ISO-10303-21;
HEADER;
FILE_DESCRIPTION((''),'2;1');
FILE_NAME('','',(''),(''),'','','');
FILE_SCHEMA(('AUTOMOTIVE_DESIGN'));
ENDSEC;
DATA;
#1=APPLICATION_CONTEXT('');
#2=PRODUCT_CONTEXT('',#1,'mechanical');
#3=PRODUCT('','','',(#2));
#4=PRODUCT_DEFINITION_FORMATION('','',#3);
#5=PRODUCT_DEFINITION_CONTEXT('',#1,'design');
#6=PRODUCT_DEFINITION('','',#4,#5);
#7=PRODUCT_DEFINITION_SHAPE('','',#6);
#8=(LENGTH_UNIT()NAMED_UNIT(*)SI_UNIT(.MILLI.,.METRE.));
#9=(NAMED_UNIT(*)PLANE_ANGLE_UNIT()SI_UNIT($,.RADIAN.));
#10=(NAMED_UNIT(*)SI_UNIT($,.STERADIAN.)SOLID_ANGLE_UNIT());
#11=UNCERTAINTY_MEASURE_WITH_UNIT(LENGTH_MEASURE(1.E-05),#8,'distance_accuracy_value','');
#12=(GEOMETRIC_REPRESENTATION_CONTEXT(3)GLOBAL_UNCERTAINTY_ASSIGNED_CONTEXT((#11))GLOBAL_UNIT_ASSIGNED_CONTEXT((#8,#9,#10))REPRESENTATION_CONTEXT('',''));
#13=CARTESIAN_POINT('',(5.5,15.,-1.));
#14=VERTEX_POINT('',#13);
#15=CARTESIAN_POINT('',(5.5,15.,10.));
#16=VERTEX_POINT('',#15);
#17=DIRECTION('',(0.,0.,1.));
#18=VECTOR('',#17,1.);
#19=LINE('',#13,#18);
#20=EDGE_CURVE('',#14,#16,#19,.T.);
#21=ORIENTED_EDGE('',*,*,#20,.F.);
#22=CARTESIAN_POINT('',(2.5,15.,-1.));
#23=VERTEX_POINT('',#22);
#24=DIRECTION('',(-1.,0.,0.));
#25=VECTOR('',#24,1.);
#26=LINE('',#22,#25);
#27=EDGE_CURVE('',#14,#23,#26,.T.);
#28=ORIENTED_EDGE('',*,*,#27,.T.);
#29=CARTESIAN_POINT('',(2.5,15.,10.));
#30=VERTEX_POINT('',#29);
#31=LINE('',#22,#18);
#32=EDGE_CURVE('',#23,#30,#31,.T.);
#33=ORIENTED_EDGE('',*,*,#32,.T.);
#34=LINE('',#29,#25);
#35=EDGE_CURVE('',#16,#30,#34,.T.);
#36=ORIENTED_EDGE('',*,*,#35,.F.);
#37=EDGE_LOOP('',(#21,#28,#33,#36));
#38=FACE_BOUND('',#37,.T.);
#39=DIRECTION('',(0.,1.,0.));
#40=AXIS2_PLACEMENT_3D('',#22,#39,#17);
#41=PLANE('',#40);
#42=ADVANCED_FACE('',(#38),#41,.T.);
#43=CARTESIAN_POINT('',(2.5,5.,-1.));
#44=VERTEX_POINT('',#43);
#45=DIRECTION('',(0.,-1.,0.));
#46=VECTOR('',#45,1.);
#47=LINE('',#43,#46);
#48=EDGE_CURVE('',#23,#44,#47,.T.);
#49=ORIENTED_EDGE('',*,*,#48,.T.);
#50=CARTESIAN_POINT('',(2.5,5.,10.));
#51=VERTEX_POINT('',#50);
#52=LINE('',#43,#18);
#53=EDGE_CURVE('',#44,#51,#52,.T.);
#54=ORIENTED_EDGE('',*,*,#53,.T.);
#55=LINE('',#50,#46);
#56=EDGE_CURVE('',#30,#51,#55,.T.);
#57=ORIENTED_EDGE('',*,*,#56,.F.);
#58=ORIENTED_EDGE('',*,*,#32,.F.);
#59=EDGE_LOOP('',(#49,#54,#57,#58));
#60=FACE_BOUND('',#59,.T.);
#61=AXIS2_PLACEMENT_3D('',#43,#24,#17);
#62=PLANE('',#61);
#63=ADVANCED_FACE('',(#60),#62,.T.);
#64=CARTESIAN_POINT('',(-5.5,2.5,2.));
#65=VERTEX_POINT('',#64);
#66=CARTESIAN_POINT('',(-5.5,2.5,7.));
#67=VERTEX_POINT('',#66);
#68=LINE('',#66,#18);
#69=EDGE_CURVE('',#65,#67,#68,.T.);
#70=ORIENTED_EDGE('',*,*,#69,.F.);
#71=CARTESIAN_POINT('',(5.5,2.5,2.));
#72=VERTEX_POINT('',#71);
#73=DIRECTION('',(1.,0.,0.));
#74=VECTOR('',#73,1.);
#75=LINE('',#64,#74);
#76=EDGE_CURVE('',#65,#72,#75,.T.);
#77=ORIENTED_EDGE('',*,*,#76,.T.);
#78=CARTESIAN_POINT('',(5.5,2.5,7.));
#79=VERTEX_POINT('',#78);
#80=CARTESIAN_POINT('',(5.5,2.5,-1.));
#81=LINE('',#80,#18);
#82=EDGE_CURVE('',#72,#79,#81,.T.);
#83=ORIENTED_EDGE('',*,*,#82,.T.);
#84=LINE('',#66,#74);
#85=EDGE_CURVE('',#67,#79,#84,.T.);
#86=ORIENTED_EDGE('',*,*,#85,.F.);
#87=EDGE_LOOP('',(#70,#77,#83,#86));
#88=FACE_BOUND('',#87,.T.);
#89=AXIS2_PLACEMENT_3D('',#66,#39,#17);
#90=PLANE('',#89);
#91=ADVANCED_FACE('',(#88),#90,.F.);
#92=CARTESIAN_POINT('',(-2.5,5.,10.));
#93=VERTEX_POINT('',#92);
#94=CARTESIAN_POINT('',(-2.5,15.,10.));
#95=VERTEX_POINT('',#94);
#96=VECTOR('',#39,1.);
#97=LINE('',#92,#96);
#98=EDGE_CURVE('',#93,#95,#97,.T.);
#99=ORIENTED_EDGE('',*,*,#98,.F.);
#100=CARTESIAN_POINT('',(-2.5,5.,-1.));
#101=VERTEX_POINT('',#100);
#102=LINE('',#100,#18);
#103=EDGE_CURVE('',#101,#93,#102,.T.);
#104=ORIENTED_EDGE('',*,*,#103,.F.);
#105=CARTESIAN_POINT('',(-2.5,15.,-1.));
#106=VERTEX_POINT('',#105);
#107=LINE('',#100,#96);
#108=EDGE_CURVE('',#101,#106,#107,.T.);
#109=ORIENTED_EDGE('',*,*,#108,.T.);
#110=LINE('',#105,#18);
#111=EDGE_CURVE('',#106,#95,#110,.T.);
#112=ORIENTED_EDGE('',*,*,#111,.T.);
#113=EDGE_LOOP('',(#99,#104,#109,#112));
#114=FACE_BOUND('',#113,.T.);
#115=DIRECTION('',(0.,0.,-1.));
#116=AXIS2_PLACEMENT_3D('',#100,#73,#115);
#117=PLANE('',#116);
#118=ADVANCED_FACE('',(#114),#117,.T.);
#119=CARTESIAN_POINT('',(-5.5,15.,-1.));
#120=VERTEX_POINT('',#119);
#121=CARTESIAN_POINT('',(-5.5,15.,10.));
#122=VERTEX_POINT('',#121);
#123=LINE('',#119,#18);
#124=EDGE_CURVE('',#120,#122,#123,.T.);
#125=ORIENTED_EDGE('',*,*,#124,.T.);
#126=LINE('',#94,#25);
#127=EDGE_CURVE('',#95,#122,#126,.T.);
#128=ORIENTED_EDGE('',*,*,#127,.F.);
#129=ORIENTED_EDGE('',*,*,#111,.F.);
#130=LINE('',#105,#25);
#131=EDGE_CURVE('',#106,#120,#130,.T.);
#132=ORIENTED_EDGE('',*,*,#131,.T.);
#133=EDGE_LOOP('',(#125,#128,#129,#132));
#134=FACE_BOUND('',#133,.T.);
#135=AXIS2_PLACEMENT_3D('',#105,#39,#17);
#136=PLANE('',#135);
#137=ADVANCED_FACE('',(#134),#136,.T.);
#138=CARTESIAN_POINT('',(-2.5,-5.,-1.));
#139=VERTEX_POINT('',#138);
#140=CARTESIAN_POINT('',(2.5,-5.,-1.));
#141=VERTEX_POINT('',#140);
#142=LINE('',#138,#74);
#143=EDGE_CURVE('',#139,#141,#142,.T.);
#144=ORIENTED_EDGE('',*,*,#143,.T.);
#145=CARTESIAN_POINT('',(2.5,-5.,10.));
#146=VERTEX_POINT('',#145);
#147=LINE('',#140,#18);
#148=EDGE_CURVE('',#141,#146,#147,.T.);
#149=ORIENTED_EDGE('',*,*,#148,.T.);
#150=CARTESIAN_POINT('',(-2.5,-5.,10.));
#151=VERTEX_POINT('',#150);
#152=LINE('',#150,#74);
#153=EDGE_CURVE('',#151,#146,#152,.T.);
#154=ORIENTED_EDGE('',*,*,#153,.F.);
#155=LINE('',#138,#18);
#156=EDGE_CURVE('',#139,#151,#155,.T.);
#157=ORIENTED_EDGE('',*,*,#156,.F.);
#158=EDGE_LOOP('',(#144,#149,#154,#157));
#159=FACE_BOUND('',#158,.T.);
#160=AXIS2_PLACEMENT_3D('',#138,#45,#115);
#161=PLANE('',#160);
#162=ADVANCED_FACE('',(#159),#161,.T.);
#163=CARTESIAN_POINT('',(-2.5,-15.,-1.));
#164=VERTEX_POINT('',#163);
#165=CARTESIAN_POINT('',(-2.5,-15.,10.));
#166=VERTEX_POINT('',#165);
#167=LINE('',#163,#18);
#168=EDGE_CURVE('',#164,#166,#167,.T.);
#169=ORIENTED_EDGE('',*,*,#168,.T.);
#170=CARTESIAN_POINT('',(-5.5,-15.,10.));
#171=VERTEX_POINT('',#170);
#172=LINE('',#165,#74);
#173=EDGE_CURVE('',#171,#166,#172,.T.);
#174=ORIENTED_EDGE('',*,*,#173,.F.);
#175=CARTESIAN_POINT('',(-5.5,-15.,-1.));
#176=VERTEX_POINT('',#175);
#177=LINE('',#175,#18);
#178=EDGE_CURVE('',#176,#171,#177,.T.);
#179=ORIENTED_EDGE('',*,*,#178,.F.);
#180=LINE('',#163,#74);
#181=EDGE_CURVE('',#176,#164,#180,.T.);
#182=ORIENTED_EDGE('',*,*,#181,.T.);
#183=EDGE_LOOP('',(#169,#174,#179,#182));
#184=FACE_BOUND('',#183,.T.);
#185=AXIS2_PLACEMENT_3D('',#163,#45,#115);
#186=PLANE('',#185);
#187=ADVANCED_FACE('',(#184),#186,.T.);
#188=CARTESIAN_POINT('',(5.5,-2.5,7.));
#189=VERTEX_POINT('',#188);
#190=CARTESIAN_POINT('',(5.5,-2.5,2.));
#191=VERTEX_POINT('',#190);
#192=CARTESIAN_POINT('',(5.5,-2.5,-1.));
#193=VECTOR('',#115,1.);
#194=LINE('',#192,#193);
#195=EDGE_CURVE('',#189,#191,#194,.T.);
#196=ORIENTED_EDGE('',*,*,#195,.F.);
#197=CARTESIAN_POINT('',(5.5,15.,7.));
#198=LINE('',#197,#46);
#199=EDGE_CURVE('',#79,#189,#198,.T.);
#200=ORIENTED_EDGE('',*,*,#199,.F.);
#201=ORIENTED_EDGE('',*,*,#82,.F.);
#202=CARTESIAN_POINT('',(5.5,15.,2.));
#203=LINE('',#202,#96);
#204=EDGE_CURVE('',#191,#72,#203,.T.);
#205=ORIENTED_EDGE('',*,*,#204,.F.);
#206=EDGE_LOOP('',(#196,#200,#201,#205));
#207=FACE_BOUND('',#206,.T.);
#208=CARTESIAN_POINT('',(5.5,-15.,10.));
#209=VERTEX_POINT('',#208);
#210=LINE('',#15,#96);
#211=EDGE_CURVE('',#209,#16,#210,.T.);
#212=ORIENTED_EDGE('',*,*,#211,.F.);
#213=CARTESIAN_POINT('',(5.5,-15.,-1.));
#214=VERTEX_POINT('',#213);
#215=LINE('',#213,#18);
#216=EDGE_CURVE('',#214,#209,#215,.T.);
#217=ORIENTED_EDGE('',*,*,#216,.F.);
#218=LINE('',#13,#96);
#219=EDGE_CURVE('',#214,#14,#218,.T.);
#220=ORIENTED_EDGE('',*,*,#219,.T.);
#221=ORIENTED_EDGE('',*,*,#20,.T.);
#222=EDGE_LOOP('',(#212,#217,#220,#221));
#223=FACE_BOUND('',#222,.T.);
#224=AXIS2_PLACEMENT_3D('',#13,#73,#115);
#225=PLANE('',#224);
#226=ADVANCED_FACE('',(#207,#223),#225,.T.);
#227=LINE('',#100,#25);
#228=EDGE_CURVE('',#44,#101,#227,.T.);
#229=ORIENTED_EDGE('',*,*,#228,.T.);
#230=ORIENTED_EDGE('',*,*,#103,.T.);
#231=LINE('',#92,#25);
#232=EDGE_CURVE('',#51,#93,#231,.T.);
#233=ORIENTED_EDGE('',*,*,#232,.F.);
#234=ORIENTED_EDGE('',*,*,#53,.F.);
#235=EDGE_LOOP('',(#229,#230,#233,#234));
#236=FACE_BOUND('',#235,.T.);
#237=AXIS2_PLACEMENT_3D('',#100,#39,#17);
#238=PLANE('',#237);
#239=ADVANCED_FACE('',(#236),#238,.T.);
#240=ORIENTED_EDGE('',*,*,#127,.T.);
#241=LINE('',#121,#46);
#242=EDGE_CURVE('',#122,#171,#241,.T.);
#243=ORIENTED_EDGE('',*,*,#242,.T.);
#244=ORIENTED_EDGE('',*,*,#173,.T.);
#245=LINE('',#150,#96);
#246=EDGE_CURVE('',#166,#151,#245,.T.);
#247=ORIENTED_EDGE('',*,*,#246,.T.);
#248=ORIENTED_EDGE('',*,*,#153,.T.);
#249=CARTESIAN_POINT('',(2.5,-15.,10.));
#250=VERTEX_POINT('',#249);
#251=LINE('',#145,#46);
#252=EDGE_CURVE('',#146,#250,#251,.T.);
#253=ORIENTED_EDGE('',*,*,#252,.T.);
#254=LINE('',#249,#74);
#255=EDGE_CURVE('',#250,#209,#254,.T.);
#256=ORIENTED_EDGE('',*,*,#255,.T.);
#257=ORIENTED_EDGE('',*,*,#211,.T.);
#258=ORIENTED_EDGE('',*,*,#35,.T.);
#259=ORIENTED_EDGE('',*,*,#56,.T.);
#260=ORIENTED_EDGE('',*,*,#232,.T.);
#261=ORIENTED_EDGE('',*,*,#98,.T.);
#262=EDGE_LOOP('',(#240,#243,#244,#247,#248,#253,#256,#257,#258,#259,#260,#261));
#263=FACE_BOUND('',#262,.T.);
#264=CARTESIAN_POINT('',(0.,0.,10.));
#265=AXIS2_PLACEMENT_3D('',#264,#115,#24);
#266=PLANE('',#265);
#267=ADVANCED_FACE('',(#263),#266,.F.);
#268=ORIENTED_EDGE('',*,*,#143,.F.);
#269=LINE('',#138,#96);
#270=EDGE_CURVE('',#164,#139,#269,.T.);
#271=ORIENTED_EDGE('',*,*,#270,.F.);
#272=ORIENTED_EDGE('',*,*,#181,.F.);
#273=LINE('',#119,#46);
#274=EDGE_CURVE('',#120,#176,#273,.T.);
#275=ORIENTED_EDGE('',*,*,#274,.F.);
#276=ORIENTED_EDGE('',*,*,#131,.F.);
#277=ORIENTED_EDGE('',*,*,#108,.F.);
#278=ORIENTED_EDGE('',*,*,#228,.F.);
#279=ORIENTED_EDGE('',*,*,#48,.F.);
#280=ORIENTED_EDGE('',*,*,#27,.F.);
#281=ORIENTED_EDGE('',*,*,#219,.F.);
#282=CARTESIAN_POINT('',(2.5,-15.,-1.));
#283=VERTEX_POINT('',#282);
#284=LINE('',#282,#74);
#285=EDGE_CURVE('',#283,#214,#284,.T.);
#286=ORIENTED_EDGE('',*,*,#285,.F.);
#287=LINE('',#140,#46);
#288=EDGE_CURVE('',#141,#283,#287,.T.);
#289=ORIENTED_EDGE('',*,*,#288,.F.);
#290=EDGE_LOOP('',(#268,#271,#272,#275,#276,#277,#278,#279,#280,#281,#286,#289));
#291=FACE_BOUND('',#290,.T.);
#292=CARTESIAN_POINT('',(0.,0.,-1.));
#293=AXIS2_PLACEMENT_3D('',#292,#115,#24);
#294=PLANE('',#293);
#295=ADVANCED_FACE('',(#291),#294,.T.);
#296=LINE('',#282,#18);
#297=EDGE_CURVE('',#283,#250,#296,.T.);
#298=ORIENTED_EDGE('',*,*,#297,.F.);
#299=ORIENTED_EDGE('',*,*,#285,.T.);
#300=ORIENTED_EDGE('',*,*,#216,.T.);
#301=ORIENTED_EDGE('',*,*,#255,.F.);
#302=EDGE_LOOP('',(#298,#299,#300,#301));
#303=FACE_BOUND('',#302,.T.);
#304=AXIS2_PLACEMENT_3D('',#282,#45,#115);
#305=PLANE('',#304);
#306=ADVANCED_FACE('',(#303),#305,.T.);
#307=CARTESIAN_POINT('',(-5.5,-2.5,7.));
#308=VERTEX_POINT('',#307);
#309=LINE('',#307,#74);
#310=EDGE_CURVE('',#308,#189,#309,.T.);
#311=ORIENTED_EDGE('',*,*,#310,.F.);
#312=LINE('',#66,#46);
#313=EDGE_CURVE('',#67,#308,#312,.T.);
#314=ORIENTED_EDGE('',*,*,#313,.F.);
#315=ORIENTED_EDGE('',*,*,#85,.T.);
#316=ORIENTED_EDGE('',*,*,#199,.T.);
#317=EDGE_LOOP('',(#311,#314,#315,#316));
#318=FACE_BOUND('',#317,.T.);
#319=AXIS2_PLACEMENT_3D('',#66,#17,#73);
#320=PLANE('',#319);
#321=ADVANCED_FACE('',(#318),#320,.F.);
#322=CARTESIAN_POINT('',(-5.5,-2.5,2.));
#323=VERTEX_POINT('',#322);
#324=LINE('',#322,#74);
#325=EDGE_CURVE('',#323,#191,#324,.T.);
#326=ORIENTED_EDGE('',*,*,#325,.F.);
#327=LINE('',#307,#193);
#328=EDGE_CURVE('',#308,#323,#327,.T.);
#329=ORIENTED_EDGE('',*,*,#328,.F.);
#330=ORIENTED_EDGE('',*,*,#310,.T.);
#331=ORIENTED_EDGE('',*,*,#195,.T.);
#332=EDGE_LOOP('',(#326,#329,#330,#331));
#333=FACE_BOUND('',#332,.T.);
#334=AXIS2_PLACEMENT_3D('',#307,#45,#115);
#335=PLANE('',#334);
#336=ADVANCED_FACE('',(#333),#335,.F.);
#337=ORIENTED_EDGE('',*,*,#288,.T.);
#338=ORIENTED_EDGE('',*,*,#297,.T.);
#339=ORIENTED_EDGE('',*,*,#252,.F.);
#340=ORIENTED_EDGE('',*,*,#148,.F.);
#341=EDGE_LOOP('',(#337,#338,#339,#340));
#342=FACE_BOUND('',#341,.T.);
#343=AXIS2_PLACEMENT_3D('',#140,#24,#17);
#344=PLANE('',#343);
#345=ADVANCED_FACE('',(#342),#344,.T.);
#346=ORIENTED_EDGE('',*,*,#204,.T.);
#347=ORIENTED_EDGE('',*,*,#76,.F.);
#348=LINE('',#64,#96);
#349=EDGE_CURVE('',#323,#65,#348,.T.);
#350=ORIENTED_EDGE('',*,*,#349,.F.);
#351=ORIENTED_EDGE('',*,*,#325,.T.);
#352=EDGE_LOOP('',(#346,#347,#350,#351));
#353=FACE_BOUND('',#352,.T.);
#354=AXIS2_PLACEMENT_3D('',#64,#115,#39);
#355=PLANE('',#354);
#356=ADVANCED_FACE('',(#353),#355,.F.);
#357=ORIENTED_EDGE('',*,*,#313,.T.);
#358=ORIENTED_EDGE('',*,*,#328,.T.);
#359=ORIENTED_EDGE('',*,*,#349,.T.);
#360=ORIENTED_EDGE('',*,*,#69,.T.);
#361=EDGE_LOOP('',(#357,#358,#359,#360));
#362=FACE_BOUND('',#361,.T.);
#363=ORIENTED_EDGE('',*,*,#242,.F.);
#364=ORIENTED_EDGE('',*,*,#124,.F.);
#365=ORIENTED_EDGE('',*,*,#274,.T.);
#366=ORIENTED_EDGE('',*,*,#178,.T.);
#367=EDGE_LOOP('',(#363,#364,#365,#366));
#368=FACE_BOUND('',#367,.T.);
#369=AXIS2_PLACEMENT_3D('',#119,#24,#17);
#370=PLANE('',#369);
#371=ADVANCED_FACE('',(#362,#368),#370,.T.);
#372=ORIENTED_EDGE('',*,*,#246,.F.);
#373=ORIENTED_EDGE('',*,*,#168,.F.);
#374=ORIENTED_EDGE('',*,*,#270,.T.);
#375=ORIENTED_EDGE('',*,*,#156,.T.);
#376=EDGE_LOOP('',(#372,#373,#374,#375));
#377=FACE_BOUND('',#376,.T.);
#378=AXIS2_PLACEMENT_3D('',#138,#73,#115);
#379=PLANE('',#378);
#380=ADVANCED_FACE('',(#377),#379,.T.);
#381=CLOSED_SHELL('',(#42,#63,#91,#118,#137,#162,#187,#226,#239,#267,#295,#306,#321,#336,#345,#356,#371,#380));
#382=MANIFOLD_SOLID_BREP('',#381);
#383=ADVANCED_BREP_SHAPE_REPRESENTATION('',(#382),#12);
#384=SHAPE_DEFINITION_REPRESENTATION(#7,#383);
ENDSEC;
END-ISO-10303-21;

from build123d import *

# Parameters (mm, degrees)
BOSS_EXTRUDE1_DEPTH      = 10
BOSS_EXTRUDE1_DEPTH_BACK = 1
SKETCH2_W                = 5
SKETCH2_H                = 5
CUT_EXTRUDE1_DEPTH       = 1
CUT_EXTRUDE1_DEPTH_BACK  = 12


with BuildPart() as part:
    # Sketch1 → Boss-Extrude1 (new body, two sides)
    with BuildSketch(Plane.XY) as boss_extrude1_sk:
        Polygon((-2.5, 5), (2.5, 5), (2.5, 15), (5.5, 15), (5.5, -15), (2.5, -15), (2.5, -5), (-2.5, -5), (-2.5, -15), (-5.5, -15), (-5.5, 15), (-2.5, 15), align=None)
    extrude(amount=BOSS_EXTRUDE1_DEPTH)
    extrude(boss_extrude1_sk.sketch, amount=-BOSS_EXTRUDE1_DEPTH_BACK)

    # Sketch2 → Cut-Extrude1 (cut, two sides)
    with BuildSketch(Plane(origin=(5.5, 0, 0), x_dir=(0, 0, -1), z_dir=(1, 0, 0))) as cut_extrude1_sk:
        with Locations((-4.5, 0)):
            Rectangle(SKETCH2_W, SKETCH2_H)
    extrude(amount=CUT_EXTRUDE1_DEPTH, mode=Mode.SUBTRACT)
    extrude(cut_extrude1_sk.sketch, amount=-CUT_EXTRUDE1_DEPTH_BACK, mode=Mode.SUBTRACT)


solid = part.part
